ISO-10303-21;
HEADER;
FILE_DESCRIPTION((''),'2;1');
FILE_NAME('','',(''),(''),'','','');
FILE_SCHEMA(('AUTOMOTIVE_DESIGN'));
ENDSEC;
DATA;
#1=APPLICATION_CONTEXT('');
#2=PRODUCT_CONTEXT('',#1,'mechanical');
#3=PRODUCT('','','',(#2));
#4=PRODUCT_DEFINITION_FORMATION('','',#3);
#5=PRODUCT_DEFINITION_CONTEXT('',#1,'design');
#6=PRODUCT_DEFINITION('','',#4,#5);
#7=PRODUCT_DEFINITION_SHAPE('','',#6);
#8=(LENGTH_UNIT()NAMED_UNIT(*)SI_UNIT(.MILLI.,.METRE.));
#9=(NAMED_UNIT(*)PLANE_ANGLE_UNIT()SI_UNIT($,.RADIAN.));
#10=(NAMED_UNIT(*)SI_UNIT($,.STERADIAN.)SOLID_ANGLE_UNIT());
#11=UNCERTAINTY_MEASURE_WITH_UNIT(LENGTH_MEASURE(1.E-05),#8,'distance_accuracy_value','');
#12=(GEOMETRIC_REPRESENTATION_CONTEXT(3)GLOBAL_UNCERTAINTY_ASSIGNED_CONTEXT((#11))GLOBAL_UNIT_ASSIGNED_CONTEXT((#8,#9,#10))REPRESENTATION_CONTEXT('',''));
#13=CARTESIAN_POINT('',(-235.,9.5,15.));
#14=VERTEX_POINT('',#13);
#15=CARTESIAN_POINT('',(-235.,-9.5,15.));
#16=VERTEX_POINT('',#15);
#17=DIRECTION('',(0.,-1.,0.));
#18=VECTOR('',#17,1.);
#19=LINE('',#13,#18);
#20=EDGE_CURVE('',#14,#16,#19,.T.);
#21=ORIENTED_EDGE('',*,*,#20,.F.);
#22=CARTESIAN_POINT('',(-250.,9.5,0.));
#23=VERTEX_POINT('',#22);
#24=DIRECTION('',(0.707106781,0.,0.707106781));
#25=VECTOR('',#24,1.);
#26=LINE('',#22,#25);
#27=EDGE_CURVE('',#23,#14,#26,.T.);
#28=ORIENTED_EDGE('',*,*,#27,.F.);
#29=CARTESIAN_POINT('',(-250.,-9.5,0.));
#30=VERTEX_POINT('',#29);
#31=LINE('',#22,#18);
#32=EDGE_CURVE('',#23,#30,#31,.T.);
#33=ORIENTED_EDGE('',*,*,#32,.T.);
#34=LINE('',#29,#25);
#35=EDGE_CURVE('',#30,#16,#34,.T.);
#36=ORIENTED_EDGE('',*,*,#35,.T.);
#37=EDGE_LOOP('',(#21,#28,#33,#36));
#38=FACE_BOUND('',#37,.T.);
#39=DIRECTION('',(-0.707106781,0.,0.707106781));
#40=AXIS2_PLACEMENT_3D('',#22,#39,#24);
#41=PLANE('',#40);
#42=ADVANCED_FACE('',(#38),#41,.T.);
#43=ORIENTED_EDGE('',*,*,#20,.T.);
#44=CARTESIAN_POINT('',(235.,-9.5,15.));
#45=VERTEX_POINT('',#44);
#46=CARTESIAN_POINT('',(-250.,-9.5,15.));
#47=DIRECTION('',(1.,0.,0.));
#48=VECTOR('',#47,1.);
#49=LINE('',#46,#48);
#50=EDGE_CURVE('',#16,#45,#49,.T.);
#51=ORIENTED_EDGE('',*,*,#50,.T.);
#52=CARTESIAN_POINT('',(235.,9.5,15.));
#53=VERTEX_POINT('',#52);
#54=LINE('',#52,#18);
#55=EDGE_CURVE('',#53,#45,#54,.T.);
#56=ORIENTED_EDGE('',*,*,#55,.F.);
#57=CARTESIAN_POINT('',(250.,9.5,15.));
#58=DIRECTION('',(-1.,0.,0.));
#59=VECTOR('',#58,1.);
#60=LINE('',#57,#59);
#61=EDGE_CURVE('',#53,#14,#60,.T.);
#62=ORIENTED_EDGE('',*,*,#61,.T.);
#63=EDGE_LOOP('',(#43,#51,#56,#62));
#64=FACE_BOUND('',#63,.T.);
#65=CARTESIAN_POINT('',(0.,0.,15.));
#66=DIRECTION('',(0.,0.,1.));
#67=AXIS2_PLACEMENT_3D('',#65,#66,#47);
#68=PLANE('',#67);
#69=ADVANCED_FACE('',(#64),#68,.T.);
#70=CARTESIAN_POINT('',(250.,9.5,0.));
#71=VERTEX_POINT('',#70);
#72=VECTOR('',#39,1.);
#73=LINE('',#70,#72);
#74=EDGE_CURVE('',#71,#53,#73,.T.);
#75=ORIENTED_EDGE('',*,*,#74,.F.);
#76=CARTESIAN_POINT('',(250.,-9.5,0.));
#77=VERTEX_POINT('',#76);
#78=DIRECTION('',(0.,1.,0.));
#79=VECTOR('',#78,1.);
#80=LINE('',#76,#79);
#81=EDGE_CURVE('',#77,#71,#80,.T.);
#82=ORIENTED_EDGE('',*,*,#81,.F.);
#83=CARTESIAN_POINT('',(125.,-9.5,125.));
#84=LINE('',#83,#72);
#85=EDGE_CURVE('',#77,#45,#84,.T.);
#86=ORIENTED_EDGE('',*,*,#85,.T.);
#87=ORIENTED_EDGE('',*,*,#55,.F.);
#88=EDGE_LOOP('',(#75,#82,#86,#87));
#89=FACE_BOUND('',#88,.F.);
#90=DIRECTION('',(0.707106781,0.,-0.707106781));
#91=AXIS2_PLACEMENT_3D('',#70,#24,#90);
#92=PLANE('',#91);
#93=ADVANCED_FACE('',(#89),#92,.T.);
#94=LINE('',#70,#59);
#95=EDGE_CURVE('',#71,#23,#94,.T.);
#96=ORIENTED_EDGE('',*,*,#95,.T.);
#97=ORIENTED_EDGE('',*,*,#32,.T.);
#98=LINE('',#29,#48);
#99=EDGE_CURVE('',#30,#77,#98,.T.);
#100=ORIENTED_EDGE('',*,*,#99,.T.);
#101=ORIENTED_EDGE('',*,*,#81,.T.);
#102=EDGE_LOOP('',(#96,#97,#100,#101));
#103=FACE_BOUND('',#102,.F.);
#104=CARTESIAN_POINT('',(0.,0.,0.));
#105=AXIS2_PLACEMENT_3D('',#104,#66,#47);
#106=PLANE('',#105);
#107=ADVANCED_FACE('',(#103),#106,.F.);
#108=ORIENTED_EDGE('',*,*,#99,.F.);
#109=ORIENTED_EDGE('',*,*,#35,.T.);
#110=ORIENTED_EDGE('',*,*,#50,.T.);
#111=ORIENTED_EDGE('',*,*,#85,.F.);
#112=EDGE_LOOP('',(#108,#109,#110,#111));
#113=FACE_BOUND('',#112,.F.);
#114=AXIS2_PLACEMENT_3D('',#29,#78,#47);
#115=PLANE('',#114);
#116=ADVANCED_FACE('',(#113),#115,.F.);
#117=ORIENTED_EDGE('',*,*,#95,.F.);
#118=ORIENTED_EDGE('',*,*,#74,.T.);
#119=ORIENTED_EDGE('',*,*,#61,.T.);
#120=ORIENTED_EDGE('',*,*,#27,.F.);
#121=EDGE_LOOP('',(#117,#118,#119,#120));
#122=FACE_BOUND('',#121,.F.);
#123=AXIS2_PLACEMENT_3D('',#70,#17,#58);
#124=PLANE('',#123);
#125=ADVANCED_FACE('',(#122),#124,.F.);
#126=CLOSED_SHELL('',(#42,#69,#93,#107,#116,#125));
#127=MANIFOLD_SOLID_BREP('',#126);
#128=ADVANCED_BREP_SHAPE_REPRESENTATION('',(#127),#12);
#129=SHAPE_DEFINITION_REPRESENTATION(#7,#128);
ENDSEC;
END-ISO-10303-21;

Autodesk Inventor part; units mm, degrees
ref_plane "YZ Plane" through (0, 0, 0) normal (1, 0, 0) x (0, 1, 0)
ref_plane "XZ Plane" through (0, 0, 0) normal (0, 1, 0) x (-1, 0, 0)
ref_plane "XY Plane" through (0, 0, 0) normal (0, 0, 1) x (1, 0, 0)
sketch "Sketch1" plane through (0, 0, 0) normal (0, 0, 1) x (1, 0, 0)
  line L0 (250, 9.5) -> (-250, 9.5)
  line L1 (-250, 9.5) -> (-250, -9.5)
  line L2 (-250, -9.5) -> (250, -9.5)
  line L3 (250, -9.5) -> (250, 9.5)
  line L4 (250, 9.5) -> (-250, -9.5) construction
  line L5 (-250, 9.5) -> (250, -9.5) construction
  point P0 (0, 0)
  dimension "d0" = 500
  dimension "d1" = 19
extrude "Extrusion1" add sketch "Sketch1" along normal blind 15
sketch "Sketch2" plane through (-250, 9.5, 0) normal (0, 1, 0) x (1, 0, 0)
  line L0 (0, 0) -> (0, -15) projected
  line L1 (0, 0) -> (15, -15)
  line L2 (0, -15) -> (500, -15) projected
  line L3 (0, 0) -> (0, -15)
  line L4 (15, -15) -> (0, -15)
  point P0 (250, 0)
  dimension "d5" = 45
extrude "Extrusion2" cut sketch "Sketch2" against normal through all
mirror "Mirror1" about plane through (0, 0, 0) normal (1, 0, 0) of "Extrusion2"
ref_plane "Work Plane1" through (0, 0, 0) normal (1, 0, 0) x (0, 1, 0)
properties part number "widthBinding"
